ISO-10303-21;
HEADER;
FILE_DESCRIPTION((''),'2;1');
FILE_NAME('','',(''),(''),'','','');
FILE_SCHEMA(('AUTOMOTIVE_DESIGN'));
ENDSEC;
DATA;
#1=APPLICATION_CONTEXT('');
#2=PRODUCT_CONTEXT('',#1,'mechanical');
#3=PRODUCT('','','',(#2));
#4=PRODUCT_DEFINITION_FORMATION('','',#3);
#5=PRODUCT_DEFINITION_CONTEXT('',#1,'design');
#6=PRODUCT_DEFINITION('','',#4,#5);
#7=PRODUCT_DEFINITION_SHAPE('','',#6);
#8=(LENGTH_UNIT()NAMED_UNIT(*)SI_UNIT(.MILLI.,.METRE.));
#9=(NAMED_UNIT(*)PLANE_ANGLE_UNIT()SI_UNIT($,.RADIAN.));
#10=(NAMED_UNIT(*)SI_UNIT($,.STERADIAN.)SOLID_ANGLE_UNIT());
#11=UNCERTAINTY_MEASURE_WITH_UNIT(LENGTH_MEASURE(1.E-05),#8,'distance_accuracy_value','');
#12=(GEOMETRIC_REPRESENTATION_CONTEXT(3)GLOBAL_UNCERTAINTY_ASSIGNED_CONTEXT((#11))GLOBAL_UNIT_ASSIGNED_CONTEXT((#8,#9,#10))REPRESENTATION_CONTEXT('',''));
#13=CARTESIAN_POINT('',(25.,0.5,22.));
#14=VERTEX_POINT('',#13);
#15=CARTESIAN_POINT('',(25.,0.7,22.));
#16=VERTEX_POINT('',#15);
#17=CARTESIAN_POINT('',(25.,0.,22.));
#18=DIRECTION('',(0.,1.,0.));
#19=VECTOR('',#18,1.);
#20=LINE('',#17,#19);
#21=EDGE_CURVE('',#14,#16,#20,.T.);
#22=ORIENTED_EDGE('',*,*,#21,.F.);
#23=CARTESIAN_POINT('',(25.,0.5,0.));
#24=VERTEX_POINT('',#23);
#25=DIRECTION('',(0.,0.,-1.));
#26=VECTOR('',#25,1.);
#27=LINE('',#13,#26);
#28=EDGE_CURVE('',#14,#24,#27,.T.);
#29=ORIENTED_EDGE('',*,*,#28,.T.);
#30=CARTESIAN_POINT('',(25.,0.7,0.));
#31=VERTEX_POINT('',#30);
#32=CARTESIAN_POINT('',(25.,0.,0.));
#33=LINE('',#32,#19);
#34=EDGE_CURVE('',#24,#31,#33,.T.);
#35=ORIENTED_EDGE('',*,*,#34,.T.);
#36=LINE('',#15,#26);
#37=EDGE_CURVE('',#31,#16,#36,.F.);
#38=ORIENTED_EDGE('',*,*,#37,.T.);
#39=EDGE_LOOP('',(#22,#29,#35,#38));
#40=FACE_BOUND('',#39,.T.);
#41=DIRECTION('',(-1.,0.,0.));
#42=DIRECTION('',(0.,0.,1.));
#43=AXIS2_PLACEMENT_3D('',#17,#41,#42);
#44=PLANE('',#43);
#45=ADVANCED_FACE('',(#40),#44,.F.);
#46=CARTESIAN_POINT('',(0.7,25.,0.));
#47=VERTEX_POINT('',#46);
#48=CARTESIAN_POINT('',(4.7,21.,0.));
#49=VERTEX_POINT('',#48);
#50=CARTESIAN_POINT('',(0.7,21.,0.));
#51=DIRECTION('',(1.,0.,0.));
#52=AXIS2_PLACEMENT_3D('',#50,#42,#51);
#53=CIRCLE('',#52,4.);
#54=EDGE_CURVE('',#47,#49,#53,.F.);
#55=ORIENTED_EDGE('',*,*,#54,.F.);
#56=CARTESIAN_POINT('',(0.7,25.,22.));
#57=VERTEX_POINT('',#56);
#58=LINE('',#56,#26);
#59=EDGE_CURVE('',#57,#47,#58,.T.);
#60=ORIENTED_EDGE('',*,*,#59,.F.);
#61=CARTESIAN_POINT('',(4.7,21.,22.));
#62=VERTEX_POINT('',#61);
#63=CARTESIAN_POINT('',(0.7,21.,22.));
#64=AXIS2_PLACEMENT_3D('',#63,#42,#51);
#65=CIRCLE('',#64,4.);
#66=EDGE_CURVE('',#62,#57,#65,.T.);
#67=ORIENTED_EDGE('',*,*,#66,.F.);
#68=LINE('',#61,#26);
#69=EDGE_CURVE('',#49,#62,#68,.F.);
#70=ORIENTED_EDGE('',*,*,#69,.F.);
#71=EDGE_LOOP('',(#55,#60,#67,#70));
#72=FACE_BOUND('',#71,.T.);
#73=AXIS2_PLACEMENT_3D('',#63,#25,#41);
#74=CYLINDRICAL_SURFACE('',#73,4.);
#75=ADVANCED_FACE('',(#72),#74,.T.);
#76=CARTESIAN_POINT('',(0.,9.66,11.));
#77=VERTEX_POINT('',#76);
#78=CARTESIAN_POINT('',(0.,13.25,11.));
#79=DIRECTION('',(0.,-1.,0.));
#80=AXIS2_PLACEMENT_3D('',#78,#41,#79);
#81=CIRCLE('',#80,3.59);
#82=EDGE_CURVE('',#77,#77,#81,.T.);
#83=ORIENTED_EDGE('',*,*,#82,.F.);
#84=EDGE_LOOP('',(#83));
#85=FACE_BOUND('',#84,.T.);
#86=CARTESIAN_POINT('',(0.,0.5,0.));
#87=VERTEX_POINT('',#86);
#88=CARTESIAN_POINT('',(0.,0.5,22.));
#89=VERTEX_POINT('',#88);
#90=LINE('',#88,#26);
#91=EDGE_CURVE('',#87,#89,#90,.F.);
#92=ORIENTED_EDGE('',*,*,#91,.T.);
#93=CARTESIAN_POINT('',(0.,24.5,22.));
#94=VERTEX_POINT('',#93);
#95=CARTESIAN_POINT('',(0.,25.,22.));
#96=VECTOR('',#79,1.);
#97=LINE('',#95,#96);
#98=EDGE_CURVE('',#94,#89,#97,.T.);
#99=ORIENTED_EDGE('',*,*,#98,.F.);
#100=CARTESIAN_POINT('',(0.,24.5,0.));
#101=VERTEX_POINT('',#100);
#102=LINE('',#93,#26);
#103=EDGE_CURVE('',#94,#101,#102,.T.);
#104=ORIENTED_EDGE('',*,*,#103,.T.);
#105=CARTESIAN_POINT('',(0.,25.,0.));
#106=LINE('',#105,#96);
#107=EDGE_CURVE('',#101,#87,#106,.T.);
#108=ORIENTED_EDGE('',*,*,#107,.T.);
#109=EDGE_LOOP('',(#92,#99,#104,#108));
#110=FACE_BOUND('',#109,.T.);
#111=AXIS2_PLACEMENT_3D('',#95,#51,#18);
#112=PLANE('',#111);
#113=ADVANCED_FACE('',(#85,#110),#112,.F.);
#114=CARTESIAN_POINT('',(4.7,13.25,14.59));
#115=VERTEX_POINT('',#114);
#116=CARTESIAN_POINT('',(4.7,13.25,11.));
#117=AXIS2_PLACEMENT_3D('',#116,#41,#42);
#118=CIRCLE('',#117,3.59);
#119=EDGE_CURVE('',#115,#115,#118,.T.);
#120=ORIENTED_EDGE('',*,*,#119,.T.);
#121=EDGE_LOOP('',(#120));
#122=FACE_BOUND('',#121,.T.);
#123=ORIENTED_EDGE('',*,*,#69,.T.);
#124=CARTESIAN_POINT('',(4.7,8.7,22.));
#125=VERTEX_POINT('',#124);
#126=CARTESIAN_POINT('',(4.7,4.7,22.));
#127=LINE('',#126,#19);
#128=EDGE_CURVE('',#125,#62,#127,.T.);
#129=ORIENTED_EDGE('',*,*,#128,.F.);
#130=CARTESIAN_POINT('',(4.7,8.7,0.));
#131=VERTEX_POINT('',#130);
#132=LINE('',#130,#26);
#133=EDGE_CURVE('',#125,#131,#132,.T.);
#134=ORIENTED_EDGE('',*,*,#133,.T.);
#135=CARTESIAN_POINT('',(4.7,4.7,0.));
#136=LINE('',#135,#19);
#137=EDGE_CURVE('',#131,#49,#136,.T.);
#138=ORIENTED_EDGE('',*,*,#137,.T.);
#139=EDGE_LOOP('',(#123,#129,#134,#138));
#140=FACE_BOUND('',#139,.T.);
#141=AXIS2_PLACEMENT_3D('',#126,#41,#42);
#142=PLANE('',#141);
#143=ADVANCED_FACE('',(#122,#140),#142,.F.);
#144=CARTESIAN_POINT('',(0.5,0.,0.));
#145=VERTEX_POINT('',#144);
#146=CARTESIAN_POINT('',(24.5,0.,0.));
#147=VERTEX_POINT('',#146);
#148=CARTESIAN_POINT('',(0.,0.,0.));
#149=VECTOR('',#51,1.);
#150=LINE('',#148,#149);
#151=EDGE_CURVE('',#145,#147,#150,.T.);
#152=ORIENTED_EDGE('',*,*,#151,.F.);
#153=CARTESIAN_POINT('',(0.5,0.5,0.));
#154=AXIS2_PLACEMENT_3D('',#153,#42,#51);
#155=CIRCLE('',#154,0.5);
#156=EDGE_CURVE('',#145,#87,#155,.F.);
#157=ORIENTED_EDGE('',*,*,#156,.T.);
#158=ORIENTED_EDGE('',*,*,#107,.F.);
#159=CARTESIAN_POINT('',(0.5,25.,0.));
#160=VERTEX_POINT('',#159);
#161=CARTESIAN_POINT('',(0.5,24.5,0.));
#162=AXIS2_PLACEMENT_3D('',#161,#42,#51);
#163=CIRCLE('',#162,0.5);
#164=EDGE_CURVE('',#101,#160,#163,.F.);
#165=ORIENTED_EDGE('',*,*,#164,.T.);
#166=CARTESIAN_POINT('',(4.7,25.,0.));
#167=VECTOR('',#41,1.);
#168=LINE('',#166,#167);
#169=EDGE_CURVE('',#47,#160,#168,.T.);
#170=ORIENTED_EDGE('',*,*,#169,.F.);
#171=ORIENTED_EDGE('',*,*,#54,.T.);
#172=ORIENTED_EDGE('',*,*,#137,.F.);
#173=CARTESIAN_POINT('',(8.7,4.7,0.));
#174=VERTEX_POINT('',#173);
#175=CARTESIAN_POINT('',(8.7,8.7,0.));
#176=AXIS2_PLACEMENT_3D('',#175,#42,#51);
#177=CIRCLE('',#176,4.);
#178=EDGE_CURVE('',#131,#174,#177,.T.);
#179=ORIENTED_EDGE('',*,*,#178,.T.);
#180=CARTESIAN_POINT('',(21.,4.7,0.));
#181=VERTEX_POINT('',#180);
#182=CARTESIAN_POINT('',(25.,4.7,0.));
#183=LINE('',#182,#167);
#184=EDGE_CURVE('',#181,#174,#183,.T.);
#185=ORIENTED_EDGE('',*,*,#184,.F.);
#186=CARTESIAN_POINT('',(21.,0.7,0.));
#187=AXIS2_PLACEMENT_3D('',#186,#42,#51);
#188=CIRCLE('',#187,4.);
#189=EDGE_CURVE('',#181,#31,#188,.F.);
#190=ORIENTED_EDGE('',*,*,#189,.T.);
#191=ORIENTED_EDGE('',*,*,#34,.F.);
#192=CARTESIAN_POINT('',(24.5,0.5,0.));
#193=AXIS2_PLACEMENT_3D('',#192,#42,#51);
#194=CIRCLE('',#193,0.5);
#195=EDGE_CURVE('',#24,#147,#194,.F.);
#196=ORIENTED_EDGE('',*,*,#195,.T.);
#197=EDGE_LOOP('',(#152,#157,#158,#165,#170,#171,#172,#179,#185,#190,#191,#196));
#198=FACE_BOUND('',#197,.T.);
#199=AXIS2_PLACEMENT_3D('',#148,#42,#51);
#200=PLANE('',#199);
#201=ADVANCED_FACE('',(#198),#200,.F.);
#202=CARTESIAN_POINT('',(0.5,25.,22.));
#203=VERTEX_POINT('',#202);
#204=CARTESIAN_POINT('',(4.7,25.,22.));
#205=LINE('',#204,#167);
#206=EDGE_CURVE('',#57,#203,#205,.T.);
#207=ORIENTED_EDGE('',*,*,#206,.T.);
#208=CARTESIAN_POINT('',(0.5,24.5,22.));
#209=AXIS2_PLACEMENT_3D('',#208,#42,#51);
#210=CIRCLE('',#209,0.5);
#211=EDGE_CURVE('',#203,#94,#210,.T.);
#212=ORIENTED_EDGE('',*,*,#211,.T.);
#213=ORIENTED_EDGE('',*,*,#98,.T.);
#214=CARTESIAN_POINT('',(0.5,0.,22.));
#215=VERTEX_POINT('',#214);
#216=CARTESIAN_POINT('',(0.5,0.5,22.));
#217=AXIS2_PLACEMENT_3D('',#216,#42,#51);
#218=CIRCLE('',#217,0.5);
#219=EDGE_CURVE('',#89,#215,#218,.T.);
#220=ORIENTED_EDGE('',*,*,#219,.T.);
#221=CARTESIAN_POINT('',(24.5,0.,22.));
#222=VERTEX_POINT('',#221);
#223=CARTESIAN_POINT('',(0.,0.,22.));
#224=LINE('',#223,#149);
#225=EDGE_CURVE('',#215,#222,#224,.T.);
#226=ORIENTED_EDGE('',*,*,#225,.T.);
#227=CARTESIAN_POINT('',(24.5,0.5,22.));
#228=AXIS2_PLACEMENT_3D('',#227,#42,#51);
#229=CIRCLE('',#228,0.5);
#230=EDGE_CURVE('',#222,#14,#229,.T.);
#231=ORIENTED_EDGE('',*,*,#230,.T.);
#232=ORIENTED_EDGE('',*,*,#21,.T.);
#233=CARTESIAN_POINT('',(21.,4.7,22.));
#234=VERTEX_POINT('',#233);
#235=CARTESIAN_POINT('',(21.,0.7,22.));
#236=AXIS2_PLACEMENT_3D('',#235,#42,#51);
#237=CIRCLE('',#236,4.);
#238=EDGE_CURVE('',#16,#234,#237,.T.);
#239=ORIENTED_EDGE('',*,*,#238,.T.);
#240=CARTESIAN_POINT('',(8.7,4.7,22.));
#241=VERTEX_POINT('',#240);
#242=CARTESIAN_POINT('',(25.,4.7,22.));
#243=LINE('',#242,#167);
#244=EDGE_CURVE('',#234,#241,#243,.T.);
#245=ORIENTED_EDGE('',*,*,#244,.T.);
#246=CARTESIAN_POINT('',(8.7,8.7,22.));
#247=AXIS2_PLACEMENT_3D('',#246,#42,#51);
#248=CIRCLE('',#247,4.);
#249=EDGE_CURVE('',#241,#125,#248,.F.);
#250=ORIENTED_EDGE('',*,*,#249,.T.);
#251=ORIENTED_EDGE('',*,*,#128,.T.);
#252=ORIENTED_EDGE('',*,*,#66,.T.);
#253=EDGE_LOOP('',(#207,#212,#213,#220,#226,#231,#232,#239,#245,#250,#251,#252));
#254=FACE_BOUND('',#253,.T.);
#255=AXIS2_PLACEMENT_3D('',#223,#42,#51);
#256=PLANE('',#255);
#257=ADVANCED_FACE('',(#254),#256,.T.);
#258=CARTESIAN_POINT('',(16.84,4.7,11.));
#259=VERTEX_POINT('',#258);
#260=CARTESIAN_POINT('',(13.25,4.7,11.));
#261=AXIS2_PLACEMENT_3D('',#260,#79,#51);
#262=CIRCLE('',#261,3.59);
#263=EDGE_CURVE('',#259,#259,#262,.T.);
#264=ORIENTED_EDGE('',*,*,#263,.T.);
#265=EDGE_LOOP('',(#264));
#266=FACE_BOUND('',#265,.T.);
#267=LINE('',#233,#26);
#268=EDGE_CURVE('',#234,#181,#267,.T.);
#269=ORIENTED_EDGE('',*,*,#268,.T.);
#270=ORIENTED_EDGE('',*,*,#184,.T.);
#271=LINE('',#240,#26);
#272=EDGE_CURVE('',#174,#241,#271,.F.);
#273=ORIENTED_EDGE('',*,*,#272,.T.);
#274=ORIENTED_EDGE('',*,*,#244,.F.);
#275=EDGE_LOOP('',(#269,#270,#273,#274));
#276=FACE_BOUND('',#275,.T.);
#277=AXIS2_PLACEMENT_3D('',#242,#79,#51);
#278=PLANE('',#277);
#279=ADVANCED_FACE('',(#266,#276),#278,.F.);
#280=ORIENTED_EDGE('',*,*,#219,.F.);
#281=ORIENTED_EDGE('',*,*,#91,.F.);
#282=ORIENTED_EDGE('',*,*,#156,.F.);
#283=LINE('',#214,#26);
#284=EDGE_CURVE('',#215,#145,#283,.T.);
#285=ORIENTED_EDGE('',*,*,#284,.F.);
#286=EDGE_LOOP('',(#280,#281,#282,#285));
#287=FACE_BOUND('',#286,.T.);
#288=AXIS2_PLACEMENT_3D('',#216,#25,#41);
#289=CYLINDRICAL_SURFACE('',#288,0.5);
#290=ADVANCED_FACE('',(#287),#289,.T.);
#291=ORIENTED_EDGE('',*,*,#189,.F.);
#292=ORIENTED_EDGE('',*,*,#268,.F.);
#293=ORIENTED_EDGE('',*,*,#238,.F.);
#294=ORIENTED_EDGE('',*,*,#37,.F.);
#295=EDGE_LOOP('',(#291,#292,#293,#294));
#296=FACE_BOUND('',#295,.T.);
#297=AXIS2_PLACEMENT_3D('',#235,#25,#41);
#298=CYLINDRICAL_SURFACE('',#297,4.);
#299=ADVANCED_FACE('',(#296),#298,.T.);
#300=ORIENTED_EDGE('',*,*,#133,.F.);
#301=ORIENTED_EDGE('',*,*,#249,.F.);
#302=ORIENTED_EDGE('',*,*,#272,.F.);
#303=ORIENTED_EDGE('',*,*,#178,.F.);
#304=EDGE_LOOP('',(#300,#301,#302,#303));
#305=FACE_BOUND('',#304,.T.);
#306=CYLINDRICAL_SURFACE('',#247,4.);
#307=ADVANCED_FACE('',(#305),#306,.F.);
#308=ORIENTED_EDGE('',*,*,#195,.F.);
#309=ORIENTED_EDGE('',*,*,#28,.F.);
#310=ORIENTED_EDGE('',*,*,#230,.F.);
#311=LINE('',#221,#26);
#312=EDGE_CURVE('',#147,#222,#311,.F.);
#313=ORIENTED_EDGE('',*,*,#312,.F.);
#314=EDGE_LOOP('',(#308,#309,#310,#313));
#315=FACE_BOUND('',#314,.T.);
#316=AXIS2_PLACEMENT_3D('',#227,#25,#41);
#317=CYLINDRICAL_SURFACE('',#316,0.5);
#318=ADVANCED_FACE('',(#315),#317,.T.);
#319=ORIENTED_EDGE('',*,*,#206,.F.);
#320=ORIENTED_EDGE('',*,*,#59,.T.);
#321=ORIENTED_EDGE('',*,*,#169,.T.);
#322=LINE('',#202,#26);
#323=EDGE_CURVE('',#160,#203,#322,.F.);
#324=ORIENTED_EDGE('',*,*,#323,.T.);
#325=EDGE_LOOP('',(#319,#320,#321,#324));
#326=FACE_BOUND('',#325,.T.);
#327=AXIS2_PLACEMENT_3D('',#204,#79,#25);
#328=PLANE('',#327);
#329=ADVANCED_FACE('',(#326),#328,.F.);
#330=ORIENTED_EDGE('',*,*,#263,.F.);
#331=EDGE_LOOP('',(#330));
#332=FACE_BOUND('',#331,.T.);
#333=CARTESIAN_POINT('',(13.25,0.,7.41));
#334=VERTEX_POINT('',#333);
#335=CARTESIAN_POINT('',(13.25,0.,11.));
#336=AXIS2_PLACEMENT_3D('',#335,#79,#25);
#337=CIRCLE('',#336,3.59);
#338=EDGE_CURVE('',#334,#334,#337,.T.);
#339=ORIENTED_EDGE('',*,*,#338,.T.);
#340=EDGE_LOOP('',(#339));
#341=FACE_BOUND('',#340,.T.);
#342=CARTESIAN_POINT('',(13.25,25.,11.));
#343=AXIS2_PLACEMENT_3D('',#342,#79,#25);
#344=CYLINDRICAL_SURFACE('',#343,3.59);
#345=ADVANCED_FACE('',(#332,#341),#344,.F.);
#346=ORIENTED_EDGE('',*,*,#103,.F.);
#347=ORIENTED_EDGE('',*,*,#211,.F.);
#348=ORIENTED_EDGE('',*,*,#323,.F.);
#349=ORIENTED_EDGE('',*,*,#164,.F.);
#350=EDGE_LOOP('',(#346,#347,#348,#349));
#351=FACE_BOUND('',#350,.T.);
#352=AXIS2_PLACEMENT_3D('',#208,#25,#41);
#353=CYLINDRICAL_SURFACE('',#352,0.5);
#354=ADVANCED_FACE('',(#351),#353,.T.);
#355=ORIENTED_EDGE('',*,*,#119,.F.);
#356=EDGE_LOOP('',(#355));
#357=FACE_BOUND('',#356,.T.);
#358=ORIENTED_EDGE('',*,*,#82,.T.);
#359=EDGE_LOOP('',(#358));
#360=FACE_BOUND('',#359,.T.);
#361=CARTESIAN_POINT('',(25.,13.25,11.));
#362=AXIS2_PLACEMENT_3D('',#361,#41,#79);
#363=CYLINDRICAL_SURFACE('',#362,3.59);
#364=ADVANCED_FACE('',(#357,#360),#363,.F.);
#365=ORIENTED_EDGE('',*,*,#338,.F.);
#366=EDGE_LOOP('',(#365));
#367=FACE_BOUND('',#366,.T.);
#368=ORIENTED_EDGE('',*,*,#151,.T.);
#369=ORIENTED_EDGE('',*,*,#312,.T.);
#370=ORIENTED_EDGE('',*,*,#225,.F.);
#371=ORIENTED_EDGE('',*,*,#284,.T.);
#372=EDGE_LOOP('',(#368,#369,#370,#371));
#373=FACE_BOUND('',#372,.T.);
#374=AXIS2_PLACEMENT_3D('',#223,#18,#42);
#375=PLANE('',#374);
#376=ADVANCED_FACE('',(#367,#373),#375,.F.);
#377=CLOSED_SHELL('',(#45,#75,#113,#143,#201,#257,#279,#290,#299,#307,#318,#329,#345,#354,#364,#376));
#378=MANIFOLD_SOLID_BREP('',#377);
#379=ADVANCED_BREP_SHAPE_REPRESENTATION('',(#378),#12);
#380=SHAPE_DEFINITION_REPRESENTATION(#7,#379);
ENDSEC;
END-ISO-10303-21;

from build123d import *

# Parameters (mm, degrees)
BOSS_EXTRUDE1_DEPTH = 22
SKETCH2_R           = 3.59
CUT_EXTRUDE1_DEPTH  = 42.641325627
SKETCH3_R           = 3.59
CUT_EXTRUDE2_DEPTH  = 42.641325627
FILLET1_R           = 4
FILLET2_R           = 0.5


with BuildPart() as part:
    # Sketch1 → Boss-Extrude1 (new body)
    with BuildSketch(Plane.XY):
        Polygon((0, 0), (25, 0), (25, 4.7), (4.7, 4.7), (4.7, 25), (0, 25), align=None)
    extrude(amount=BOSS_EXTRUDE1_DEPTH)

    # Sketch2 → Cut-Extrude1 (cut, through all)
    with BuildSketch(Plane.XZ):
        with Locations(Location((13.25, 11, 0), (0, 0, 270))):
            Circle(SKETCH2_R)
    extrude(amount=-CUT_EXTRUDE1_DEPTH, mode=Mode.SUBTRACT)

    # Sketch3 → Cut-Extrude2 (cut, through all)
    with BuildSketch(Plane.ZY):
        with Locations(Location((11, 13.25, 0), (0, 0, 270))):
            Circle(SKETCH3_R)
    extrude(amount=-CUT_EXTRUDE2_DEPTH, mode=Mode.SUBTRACT)

    # Fillet1
    fillet1_edges = [part.edges().sort_by_distance(p)[0] for p in [
        (4.7, 25, 11),
        (4.7, 4.7, 11),
        (25, 4.7, 11),
    ]]
    fillet(fillet1_edges, radius=FILLET1_R)

    # Fillet2
    fillet2_edges = [part.edges().sort_by_distance(p)[0] for p in [
        (0, 25, 11),
        (25, 0, 11),
        (0, 0, 11),
    ]]
    fillet(fillet2_edges, radius=FILLET2_R)


solid = part.part
